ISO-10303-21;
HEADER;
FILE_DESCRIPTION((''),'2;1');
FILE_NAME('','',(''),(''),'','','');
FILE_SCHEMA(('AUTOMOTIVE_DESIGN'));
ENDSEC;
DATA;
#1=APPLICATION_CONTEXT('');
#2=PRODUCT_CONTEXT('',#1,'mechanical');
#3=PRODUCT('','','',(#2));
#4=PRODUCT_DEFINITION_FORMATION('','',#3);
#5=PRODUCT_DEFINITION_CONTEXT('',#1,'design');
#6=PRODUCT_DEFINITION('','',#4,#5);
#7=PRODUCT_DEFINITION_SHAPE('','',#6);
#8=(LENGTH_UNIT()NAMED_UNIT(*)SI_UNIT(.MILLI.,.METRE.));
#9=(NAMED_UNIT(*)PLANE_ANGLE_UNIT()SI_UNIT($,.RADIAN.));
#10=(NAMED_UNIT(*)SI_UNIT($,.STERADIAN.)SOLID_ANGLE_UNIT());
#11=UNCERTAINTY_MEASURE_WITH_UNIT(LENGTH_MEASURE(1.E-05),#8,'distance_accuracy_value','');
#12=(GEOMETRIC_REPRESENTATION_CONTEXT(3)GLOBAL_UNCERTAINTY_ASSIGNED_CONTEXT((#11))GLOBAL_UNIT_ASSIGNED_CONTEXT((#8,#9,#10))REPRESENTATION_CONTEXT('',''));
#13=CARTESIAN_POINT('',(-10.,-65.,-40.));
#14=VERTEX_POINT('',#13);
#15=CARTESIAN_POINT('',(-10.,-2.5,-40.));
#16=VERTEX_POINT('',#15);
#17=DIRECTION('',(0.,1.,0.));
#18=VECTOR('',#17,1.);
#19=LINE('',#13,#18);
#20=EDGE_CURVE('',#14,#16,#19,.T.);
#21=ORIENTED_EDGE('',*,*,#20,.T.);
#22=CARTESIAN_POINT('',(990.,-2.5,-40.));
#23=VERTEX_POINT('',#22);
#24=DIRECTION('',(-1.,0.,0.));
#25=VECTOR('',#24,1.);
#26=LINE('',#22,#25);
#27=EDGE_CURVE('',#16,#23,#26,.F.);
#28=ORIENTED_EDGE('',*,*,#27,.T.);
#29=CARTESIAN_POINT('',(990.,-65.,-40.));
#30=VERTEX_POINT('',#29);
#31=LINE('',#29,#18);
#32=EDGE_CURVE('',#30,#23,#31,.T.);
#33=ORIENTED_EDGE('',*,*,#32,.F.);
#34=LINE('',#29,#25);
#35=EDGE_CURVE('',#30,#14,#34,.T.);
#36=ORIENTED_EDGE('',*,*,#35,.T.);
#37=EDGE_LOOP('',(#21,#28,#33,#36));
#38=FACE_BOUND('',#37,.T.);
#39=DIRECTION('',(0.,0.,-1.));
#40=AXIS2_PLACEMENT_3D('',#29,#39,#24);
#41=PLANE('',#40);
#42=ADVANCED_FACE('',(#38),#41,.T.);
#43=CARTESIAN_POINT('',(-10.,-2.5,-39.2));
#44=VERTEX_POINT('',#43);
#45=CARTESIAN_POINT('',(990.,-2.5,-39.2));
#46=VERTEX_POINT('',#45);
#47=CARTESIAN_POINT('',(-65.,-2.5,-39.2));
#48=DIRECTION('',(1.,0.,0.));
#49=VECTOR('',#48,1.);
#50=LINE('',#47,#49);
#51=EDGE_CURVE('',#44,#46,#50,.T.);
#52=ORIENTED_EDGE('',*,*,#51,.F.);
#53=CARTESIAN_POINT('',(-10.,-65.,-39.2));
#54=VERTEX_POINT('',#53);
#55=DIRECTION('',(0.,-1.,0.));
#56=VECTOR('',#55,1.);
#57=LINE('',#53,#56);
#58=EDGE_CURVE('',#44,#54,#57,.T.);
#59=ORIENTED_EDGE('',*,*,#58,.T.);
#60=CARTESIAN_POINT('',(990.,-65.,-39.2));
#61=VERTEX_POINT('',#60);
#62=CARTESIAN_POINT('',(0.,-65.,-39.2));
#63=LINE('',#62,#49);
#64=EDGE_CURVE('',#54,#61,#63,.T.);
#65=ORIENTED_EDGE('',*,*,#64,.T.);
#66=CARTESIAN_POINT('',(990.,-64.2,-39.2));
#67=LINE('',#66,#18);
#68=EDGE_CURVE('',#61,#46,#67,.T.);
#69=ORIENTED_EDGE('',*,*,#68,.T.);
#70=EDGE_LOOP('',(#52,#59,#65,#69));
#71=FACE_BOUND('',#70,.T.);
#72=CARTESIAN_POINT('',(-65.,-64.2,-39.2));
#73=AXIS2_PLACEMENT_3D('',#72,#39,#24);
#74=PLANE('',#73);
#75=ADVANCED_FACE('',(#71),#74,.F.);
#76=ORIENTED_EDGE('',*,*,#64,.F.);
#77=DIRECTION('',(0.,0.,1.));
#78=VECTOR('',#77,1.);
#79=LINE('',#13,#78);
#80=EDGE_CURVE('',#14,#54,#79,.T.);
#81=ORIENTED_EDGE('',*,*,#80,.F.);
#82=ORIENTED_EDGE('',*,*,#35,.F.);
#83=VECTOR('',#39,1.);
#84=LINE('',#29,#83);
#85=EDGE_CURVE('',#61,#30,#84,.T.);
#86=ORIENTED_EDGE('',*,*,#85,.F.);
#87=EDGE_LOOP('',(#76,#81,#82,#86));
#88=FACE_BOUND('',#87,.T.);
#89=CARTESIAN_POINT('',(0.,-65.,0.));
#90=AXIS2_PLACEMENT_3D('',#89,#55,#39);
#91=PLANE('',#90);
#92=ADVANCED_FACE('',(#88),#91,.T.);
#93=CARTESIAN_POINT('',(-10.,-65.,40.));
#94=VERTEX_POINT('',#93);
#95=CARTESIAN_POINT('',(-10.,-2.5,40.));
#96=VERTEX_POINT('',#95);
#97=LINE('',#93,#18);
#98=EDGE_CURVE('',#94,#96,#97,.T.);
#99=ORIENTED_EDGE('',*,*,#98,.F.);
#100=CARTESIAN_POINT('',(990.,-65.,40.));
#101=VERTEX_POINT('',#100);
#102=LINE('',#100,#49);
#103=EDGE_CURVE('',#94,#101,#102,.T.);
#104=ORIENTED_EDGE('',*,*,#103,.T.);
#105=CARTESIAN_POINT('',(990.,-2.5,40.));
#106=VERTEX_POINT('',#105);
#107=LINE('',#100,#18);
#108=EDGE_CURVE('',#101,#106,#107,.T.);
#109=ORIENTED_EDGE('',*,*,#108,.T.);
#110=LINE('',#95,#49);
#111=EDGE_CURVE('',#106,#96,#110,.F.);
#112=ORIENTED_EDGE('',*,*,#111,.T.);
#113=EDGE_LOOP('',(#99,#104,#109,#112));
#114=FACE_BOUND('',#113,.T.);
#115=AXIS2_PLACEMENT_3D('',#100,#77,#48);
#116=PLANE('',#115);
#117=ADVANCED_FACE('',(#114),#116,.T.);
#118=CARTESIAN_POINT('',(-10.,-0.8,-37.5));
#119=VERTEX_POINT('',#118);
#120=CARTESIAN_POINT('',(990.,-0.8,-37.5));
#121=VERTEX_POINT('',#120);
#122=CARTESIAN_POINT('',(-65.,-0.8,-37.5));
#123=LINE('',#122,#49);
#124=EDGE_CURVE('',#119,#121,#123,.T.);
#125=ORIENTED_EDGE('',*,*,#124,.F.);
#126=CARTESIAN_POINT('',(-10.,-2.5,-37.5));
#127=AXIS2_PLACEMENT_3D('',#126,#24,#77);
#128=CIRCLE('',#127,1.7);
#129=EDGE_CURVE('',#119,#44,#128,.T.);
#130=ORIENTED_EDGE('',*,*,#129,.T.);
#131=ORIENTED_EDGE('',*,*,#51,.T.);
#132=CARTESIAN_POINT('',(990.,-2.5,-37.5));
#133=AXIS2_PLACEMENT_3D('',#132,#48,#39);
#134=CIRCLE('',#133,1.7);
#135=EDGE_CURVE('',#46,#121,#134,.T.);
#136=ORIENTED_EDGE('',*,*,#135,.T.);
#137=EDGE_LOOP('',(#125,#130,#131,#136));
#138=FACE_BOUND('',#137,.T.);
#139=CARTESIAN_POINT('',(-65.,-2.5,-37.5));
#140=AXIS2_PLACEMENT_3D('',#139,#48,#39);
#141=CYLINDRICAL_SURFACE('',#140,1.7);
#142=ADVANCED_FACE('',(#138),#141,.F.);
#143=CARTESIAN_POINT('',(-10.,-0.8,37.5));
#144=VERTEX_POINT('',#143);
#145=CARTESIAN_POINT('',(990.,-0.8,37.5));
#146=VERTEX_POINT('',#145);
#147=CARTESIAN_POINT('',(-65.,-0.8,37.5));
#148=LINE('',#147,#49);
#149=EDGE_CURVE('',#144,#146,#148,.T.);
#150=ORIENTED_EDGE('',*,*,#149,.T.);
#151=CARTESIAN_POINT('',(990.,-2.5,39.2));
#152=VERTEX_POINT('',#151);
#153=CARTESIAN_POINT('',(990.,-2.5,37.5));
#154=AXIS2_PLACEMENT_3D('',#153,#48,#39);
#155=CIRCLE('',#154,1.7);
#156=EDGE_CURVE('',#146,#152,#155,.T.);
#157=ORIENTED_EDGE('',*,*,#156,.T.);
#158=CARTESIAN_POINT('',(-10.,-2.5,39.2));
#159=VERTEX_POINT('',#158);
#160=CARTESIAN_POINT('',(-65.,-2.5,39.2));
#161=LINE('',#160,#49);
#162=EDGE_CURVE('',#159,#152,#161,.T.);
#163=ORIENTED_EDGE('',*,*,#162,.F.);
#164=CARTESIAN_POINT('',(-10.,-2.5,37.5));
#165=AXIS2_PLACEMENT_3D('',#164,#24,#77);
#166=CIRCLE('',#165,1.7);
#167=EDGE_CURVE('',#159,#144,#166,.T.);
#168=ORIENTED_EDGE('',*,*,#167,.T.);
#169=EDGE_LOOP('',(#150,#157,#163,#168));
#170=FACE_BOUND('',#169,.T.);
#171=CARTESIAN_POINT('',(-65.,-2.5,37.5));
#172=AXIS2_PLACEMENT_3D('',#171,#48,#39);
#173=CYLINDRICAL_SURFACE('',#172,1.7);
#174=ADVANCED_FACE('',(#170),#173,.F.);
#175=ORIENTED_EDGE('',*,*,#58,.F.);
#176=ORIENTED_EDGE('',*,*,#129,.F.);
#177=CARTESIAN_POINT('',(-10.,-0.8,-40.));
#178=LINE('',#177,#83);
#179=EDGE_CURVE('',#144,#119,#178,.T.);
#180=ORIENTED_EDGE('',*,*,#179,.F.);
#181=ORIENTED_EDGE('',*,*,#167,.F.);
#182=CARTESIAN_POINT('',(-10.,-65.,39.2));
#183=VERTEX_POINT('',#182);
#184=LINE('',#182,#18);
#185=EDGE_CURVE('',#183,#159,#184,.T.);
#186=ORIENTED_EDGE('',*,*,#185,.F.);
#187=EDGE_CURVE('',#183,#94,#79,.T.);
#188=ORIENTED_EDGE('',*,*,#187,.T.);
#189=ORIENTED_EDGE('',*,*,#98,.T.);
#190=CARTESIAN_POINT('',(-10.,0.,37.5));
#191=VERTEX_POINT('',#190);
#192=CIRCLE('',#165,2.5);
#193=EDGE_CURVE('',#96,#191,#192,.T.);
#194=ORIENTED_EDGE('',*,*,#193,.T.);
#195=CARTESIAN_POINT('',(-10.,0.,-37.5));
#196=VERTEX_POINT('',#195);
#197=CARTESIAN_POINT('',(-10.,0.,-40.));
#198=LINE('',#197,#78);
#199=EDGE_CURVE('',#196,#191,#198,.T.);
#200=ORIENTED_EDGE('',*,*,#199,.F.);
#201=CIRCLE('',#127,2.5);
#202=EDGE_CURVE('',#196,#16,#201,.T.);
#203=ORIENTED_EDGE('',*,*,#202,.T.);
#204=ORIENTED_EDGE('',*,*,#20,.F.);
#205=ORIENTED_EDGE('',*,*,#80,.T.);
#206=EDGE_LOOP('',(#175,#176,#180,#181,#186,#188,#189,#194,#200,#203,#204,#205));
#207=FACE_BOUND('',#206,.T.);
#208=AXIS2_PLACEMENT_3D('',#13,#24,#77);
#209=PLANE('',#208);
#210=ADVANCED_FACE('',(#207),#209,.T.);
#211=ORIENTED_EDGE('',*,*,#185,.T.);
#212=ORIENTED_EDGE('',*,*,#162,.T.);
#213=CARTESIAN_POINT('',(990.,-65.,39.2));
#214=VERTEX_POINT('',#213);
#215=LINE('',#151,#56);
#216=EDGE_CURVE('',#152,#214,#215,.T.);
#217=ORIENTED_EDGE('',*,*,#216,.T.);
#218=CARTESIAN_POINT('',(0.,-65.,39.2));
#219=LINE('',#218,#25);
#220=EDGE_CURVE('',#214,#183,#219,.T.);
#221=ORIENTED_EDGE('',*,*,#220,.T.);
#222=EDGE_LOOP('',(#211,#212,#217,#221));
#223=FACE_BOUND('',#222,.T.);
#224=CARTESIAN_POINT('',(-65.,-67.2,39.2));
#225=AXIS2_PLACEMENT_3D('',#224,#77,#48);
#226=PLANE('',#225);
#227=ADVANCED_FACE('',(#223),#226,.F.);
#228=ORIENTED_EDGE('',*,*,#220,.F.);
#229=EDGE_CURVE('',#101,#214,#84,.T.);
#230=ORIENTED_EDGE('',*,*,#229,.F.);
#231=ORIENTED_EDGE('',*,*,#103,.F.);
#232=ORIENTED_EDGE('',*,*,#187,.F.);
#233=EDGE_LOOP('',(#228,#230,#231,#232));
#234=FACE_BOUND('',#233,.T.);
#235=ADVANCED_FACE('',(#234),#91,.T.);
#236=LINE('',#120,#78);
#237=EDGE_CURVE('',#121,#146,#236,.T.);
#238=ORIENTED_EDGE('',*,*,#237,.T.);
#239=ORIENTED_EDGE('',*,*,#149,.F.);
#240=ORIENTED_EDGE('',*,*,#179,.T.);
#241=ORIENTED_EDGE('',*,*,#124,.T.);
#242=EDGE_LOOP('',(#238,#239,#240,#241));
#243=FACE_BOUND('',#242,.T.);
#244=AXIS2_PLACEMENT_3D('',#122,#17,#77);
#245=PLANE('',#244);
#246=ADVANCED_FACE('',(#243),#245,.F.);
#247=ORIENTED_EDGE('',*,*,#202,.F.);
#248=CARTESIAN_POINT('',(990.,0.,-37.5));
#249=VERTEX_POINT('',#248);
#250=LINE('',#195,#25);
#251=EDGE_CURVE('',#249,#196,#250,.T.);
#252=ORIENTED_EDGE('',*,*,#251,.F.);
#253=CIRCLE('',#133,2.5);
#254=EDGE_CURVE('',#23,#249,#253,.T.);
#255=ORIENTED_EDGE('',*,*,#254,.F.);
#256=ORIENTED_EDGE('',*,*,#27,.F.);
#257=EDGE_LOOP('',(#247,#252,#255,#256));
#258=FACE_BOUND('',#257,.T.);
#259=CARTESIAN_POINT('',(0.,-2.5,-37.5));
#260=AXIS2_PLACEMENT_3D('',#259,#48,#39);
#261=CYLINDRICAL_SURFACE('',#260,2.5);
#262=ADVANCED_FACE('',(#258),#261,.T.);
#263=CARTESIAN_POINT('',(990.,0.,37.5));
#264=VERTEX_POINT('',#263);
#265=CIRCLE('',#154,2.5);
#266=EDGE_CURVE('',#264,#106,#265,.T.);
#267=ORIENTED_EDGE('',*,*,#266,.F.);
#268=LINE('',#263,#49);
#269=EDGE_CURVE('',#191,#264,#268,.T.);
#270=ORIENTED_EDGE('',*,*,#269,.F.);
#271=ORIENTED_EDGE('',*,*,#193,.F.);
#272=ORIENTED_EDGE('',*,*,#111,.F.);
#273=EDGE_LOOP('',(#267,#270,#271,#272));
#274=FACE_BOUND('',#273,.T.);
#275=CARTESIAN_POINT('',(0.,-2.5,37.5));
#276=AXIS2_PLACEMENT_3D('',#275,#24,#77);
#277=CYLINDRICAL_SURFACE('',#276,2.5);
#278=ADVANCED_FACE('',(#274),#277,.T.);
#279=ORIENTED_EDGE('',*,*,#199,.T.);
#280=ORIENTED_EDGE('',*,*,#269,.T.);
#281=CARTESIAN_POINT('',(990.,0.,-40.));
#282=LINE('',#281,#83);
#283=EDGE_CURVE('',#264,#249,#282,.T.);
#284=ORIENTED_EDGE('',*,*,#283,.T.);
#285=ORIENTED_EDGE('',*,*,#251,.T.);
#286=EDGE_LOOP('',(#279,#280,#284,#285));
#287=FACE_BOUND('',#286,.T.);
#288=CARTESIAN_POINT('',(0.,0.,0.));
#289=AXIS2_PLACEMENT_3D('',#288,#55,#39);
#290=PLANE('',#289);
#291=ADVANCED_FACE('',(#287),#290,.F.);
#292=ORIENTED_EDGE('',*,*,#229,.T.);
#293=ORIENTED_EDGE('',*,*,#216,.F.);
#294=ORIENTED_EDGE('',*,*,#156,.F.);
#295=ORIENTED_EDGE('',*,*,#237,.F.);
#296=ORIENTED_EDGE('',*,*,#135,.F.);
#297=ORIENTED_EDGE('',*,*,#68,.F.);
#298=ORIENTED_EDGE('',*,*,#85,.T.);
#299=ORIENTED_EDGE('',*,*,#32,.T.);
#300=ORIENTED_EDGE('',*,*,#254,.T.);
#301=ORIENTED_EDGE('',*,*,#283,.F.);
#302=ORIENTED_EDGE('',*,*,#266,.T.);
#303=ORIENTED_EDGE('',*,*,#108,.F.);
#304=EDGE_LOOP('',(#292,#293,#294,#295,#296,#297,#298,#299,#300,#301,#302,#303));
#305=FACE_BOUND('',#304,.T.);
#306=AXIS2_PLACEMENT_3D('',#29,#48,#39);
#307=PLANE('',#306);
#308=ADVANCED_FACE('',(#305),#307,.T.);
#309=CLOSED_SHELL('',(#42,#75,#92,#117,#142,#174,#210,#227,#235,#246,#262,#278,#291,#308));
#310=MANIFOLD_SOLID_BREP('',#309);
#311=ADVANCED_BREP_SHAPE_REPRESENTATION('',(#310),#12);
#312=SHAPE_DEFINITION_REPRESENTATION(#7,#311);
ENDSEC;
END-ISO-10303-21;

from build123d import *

# Parameters (mm, degrees)
SKETCH1_W               = 1000
SKETCH1_H               = 80
BOSS_EXTRUDE1_DEPTH     = 65
FILLET1_R               = 2.5
CUT_EXTRUDE1_DEPTH      = 993.937560978
CUT_EXTRUDE1_DEPTH_BACK = 65


with BuildPart() as part:
    # Sketch1 → Boss-Extrude1 (new body)
    with BuildSketch(Plane(origin=(0, 0, 0), x_dir=(1, 0, 0), z_dir=(0, 1, 0))):
        with Locations((490, 0)):
            Rectangle(SKETCH1_W, SKETCH1_H)
    extrude(amount=-BOSS_EXTRUDE1_DEPTH)

    # Fillet1
    fillet1_edges = [part.edges().sort_by_distance(p)[0] for p in [
        (490, 0, 40),
        (490, 0, -40),
    ]]
    fillet(fillet1_edges, radius=FILLET1_R)

    # Sketch2 → Cut-Extrude1 (cut, two sides: drawn at the far end of the back side and taken through both)
    with BuildSketch(Plane(origin=(0, 0, 0), x_dir=(0, 0, -1), z_dir=(1, 0, 0)).offset(-CUT_EXTRUDE1_DEPTH_BACK)):
        with BuildLine():
            Line((39.2, -64.2), (39.2, -67.2))
            Line((39.2, -67.2), (-39.2, -67.2))
            Line((-39.2, -67.2), (-39.2, -64.2))
            Line((-39.2, -64.2), (-39.2, -2.5))
            ThreePointArc((-39.2, -2.5), (-38.702081528, -1.297918472), (-37.5, -0.8))
            Line((-37.5, -0.8), (37.5, -0.8))
            ThreePointArc((37.5, -0.8), (38.702081528, -1.297918472), (39.2, -2.5))
            Line((39.2, -2.5), (39.2, -64.2))
        make_face()
    extrude(amount=CUT_EXTRUDE1_DEPTH + CUT_EXTRUDE1_DEPTH_BACK, mode=Mode.SUBTRACT)


solid = part.part
